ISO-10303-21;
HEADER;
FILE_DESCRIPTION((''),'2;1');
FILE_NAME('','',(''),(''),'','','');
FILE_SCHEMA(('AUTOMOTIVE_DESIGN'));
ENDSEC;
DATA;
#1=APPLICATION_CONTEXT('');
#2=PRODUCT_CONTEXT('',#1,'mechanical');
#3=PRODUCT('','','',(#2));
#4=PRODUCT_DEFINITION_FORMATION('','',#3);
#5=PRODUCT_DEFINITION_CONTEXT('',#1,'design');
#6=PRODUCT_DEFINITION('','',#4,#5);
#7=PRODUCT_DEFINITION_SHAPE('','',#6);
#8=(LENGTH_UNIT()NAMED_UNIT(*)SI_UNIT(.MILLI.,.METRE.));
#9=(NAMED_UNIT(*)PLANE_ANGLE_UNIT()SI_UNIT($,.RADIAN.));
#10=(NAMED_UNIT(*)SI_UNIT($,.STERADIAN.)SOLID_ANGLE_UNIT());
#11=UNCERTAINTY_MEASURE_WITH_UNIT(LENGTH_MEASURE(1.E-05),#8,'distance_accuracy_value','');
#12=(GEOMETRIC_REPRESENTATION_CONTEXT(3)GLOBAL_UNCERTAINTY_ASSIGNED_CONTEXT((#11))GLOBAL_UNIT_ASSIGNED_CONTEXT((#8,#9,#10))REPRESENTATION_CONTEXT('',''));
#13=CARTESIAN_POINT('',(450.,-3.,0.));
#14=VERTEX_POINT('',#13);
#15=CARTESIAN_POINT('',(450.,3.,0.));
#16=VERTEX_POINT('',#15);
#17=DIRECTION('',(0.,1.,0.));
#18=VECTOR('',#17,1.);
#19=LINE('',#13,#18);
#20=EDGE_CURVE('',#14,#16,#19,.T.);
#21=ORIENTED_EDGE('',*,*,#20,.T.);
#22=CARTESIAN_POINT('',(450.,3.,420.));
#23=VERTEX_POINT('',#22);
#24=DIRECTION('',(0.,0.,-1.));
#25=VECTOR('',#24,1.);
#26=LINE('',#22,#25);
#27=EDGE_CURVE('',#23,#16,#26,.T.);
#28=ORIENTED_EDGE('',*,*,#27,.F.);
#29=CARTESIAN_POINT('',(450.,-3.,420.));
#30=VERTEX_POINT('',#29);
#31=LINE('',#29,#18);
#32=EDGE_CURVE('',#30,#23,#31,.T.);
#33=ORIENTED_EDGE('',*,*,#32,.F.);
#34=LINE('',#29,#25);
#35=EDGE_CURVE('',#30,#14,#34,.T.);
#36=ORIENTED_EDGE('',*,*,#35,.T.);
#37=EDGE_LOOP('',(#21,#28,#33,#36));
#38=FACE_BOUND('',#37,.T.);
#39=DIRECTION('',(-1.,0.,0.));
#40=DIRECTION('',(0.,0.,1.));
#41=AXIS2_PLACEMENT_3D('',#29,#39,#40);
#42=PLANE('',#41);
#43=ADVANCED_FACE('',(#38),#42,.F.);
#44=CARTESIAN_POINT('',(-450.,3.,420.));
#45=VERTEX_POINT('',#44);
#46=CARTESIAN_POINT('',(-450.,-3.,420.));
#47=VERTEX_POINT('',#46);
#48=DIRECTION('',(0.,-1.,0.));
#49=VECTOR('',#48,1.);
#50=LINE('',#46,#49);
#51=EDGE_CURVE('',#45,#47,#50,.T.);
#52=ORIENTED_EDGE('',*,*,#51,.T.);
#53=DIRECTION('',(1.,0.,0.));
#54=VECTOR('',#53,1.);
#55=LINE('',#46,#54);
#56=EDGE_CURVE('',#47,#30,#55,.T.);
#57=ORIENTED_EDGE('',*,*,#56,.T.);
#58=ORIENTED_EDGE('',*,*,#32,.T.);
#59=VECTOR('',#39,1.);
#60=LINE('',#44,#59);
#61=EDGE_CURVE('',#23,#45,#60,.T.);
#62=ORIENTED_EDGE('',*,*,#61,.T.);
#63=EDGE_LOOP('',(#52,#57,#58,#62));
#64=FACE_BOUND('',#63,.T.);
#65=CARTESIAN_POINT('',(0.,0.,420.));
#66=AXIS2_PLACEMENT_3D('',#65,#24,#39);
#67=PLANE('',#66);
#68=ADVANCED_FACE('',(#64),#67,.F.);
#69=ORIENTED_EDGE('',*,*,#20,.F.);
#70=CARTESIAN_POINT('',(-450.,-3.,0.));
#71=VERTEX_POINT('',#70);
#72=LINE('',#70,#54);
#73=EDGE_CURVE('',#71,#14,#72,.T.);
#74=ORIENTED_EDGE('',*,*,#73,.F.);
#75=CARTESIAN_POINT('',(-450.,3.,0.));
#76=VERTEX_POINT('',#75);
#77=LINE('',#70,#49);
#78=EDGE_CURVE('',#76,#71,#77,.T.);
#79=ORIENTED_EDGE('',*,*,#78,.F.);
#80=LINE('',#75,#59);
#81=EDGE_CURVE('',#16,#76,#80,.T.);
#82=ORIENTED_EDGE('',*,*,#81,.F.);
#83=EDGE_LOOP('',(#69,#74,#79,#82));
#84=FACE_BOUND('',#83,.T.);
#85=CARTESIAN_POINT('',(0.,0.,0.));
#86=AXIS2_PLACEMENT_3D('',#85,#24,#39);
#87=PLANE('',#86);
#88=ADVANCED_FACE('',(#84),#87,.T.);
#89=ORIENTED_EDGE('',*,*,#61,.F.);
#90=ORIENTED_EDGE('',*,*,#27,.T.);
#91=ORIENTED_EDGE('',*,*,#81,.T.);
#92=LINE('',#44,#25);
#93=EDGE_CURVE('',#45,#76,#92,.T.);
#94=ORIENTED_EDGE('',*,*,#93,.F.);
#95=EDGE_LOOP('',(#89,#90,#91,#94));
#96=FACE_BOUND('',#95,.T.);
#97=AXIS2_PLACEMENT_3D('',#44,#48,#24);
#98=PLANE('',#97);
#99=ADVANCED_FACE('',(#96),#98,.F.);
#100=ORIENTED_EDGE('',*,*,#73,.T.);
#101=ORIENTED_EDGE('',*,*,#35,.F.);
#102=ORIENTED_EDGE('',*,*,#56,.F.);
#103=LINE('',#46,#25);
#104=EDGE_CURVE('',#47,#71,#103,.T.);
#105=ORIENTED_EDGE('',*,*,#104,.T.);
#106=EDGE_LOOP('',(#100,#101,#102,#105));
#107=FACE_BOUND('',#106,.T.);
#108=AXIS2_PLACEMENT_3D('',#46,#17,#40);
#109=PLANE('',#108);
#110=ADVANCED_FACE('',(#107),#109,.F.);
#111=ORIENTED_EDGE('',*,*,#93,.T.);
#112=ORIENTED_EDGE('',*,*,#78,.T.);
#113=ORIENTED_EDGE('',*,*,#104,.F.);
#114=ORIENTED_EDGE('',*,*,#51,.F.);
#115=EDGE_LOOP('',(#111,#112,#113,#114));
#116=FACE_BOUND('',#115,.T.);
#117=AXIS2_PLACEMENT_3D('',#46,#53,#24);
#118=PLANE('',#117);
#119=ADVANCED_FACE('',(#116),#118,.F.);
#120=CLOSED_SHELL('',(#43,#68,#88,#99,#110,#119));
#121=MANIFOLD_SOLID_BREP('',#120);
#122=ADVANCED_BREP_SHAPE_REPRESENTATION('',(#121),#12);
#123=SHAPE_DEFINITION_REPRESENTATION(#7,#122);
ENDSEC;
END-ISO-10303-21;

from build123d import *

# Parameters (mm, degrees)
SKETCH_1_W      = 900
SKETCH_1_H      = 6
EXTRUDE_1_DEPTH = 420


with BuildPart() as part:
    # 草图1 → 凸台-拉伸1 (new body)
    with BuildSketch(Plane.XY):
        Rectangle(SKETCH_1_W, SKETCH_1_H)
    extrude(amount=EXTRUDE_1_DEPTH)


solid = part.part
